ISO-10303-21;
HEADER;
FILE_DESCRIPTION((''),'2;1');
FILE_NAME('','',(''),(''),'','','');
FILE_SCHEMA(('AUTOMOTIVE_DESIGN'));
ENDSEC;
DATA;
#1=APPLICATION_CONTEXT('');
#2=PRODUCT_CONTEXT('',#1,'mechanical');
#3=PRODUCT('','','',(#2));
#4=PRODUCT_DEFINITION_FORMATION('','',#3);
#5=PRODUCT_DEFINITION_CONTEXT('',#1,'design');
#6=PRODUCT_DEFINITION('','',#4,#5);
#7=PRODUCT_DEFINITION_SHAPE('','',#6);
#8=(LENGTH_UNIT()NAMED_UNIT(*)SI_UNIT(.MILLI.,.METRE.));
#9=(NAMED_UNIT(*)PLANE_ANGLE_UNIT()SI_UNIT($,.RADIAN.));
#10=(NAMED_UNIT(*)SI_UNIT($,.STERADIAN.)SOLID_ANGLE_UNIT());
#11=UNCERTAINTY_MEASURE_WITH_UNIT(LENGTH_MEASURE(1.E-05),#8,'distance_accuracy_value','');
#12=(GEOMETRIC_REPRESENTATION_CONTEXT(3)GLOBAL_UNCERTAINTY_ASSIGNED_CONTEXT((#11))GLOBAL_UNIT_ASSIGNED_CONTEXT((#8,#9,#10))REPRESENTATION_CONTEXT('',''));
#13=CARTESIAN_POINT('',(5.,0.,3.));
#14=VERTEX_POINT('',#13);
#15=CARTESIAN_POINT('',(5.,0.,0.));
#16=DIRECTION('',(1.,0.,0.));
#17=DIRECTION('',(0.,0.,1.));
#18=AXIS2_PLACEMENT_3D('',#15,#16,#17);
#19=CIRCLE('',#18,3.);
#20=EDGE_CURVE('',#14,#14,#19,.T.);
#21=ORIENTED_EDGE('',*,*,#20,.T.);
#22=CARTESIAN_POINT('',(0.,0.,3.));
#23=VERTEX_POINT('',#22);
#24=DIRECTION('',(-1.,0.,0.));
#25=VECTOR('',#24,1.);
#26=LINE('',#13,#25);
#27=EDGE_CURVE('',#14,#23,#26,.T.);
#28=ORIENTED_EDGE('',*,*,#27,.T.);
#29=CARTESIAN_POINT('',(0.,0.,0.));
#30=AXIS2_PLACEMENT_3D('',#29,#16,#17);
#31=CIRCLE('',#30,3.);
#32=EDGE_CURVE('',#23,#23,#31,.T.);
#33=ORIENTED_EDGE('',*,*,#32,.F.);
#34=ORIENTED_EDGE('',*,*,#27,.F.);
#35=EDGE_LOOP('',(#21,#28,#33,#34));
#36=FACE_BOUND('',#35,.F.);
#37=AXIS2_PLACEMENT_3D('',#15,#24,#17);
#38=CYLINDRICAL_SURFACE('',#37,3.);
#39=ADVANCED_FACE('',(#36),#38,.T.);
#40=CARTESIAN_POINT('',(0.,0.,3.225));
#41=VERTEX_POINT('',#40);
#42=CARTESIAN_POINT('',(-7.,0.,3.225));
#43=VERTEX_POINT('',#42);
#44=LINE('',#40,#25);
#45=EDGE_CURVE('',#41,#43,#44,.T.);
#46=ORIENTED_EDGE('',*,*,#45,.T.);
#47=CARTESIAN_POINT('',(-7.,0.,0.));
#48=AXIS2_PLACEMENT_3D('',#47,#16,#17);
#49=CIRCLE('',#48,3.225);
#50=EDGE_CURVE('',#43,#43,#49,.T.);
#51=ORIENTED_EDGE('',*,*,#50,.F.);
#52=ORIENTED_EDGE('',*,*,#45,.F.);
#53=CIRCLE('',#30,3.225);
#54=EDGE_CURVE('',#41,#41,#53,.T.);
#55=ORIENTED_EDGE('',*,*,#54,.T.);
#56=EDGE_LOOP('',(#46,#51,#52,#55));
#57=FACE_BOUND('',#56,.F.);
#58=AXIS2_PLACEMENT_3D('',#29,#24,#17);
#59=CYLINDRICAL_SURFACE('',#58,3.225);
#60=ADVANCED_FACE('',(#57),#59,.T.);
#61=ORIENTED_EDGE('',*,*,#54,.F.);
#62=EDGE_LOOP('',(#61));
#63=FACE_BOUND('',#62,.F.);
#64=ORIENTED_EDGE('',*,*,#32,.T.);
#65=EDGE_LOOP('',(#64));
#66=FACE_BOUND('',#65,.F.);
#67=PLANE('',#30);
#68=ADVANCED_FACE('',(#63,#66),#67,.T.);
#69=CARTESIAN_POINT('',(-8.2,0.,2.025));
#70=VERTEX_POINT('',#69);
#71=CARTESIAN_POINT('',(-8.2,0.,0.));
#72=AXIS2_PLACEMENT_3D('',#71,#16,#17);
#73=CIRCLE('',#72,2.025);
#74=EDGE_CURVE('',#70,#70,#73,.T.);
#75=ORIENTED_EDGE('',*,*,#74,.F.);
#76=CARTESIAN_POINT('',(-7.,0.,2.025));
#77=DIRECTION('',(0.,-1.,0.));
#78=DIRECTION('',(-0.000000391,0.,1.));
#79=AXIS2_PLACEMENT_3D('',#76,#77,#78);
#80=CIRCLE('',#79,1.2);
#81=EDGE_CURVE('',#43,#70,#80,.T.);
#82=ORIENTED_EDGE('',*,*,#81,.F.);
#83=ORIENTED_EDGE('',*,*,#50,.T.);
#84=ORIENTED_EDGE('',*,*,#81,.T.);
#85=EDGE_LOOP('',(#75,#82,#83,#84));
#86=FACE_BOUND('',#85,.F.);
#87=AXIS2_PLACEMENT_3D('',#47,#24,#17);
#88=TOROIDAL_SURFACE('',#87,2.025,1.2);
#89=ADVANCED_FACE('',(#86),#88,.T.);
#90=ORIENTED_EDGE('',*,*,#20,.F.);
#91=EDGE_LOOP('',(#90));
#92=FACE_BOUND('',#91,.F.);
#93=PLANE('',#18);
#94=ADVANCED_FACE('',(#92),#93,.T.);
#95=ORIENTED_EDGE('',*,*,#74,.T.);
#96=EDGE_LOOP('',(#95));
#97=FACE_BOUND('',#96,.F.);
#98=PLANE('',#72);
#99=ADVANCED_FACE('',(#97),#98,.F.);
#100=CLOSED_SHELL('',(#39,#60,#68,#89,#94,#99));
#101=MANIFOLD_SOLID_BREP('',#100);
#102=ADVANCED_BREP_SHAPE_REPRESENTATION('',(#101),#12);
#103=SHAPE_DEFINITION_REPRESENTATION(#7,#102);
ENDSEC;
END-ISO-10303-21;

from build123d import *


with BuildPart() as f1:
    # F0 (on Front) → F1 (revolve)
    with BuildSketch(Plane.XZ):
        with BuildLine():
            Line((0, 3.225), (-7, 3.225))
            ThreePointArc((-7, 3.225), (-7.848528, 2.873528), (-8.2, 2.025))
            Line((-8.2, 2.025), (-8.2, 0))
            Line((-8.2, 0), (5, 0))
            Line((5, 0), (5, 3))
            Line((5, 3), (0, 3))
            Line((0, 3), (0, 3.225))
        make_face()
    revolve(axis=Axis((-1.6, 0, 0), (1, 0, 0)))


solid = f1.part
